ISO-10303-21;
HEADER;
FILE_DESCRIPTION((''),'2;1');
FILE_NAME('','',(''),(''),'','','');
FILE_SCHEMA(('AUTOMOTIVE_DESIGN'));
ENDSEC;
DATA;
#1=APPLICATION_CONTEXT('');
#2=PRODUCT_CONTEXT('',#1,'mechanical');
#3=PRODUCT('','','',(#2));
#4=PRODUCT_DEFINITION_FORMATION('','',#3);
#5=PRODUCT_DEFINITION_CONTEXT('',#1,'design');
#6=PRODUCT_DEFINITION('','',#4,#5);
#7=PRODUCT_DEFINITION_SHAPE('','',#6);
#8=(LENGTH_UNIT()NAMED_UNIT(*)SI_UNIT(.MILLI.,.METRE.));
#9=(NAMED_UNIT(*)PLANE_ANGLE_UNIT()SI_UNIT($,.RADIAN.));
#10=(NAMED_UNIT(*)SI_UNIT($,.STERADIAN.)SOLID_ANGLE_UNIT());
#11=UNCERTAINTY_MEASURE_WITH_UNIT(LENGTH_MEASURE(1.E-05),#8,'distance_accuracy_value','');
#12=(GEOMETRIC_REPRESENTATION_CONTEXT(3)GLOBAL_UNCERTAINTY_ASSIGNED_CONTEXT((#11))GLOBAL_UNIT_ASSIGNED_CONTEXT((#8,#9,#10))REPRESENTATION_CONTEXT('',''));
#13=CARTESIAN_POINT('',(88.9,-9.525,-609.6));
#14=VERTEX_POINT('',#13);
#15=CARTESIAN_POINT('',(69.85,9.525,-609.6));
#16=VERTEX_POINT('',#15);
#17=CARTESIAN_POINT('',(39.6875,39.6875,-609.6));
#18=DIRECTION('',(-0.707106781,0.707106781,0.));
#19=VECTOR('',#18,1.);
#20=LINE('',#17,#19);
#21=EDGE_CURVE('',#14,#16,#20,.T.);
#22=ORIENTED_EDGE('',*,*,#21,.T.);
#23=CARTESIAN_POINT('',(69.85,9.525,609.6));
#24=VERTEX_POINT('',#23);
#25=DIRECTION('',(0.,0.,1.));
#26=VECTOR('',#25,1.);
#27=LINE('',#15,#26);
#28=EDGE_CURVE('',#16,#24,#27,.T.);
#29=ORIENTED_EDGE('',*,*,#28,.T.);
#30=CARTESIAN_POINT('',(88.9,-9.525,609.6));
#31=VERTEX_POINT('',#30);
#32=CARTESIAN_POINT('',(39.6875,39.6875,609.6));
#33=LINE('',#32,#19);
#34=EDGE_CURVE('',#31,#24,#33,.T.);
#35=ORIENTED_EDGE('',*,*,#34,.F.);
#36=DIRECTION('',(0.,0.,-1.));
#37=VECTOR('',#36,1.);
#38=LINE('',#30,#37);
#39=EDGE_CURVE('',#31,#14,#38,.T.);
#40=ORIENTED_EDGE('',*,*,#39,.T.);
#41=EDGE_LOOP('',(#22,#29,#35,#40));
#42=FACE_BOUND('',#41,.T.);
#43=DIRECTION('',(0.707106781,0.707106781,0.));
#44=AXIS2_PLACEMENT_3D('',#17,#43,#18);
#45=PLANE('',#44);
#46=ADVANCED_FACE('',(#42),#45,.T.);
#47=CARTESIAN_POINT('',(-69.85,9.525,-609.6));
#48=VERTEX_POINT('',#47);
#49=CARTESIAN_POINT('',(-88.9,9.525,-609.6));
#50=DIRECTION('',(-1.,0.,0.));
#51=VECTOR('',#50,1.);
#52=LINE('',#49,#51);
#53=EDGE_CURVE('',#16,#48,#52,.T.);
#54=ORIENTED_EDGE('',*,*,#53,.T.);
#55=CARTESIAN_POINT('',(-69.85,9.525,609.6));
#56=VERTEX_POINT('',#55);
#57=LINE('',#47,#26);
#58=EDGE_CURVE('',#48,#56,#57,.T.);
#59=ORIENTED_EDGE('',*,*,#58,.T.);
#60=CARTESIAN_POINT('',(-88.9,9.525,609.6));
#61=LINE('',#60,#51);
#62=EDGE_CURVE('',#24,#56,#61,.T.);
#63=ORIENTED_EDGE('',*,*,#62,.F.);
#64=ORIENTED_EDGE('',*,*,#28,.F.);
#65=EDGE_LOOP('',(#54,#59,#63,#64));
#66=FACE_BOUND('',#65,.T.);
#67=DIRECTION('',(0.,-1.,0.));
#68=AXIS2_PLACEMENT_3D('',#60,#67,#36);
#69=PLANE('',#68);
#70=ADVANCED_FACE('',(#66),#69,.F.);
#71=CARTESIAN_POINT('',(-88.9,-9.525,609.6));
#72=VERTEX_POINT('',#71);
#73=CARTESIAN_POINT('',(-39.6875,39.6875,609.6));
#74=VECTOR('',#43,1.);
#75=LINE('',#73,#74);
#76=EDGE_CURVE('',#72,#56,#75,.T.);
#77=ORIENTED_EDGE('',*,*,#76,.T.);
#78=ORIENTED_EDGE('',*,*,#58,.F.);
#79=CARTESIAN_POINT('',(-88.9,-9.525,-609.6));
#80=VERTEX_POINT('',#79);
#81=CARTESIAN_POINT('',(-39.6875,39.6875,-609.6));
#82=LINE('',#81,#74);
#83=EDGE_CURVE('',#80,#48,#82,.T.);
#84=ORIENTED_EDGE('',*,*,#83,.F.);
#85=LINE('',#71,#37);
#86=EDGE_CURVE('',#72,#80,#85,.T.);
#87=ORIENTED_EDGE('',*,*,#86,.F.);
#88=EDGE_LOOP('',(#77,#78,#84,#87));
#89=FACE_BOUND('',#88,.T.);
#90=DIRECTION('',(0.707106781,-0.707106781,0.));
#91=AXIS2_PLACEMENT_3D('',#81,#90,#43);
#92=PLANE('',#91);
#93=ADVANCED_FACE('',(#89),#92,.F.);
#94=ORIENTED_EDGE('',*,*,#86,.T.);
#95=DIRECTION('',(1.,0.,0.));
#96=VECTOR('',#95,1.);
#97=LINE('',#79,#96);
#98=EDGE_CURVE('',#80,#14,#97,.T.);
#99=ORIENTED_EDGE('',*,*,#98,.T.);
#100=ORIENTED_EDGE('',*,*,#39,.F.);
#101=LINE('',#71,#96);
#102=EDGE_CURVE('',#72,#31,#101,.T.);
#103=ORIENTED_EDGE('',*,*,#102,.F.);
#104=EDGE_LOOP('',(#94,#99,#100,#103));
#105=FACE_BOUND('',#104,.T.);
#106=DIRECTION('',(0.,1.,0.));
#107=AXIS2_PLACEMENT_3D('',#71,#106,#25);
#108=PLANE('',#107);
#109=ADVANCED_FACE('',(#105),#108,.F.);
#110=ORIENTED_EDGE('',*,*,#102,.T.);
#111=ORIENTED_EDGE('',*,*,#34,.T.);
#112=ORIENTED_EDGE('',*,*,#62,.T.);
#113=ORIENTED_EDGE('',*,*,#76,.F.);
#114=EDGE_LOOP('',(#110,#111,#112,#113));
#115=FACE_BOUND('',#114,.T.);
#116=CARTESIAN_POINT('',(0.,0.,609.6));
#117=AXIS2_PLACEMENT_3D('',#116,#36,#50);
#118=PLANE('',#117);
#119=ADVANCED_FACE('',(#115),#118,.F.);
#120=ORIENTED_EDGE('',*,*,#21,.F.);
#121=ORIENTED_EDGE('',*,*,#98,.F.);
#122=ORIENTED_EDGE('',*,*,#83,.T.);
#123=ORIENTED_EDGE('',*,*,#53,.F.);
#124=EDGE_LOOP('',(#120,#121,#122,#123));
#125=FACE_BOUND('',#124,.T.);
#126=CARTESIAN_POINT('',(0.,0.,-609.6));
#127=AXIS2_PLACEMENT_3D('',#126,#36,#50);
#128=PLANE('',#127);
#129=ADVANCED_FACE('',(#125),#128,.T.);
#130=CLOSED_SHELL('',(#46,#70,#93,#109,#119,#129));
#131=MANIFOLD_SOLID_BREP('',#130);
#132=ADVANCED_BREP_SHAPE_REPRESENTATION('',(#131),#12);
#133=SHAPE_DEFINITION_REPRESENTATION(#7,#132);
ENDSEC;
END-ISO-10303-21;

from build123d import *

# Parameters (mm, degrees)
SKETCH1_W           = 177.8
SKETCH1_H           = 19.05
BOSS_EXTRUDE1_DEPTH = 609.6
CUT_EXTRUDE1_DEPTH  = 1219.2


with BuildPart() as part:
    # Sketch1 → Boss-Extrude1 (new, symmetric)
    with BuildSketch(Plane.XY):
        Rectangle(SKETCH1_W, SKETCH1_H)
    extrude(amount=BOSS_EXTRUDE1_DEPTH, both=True)

    # Sketch2 → Cut-Extrude1 (cut)
    with BuildSketch(Plane.XY.offset(609.6)):
        Polygon((-88.9, -9.525), (-69.85, 9.525), (-88.9, 9.525), align=None)
        Polygon((88.9, 9.525), (69.85, 9.525), (88.9, -9.525), align=None)
    extrude(amount=-CUT_EXTRUDE1_DEPTH, mode=Mode.SUBTRACT)


solid = part.part
